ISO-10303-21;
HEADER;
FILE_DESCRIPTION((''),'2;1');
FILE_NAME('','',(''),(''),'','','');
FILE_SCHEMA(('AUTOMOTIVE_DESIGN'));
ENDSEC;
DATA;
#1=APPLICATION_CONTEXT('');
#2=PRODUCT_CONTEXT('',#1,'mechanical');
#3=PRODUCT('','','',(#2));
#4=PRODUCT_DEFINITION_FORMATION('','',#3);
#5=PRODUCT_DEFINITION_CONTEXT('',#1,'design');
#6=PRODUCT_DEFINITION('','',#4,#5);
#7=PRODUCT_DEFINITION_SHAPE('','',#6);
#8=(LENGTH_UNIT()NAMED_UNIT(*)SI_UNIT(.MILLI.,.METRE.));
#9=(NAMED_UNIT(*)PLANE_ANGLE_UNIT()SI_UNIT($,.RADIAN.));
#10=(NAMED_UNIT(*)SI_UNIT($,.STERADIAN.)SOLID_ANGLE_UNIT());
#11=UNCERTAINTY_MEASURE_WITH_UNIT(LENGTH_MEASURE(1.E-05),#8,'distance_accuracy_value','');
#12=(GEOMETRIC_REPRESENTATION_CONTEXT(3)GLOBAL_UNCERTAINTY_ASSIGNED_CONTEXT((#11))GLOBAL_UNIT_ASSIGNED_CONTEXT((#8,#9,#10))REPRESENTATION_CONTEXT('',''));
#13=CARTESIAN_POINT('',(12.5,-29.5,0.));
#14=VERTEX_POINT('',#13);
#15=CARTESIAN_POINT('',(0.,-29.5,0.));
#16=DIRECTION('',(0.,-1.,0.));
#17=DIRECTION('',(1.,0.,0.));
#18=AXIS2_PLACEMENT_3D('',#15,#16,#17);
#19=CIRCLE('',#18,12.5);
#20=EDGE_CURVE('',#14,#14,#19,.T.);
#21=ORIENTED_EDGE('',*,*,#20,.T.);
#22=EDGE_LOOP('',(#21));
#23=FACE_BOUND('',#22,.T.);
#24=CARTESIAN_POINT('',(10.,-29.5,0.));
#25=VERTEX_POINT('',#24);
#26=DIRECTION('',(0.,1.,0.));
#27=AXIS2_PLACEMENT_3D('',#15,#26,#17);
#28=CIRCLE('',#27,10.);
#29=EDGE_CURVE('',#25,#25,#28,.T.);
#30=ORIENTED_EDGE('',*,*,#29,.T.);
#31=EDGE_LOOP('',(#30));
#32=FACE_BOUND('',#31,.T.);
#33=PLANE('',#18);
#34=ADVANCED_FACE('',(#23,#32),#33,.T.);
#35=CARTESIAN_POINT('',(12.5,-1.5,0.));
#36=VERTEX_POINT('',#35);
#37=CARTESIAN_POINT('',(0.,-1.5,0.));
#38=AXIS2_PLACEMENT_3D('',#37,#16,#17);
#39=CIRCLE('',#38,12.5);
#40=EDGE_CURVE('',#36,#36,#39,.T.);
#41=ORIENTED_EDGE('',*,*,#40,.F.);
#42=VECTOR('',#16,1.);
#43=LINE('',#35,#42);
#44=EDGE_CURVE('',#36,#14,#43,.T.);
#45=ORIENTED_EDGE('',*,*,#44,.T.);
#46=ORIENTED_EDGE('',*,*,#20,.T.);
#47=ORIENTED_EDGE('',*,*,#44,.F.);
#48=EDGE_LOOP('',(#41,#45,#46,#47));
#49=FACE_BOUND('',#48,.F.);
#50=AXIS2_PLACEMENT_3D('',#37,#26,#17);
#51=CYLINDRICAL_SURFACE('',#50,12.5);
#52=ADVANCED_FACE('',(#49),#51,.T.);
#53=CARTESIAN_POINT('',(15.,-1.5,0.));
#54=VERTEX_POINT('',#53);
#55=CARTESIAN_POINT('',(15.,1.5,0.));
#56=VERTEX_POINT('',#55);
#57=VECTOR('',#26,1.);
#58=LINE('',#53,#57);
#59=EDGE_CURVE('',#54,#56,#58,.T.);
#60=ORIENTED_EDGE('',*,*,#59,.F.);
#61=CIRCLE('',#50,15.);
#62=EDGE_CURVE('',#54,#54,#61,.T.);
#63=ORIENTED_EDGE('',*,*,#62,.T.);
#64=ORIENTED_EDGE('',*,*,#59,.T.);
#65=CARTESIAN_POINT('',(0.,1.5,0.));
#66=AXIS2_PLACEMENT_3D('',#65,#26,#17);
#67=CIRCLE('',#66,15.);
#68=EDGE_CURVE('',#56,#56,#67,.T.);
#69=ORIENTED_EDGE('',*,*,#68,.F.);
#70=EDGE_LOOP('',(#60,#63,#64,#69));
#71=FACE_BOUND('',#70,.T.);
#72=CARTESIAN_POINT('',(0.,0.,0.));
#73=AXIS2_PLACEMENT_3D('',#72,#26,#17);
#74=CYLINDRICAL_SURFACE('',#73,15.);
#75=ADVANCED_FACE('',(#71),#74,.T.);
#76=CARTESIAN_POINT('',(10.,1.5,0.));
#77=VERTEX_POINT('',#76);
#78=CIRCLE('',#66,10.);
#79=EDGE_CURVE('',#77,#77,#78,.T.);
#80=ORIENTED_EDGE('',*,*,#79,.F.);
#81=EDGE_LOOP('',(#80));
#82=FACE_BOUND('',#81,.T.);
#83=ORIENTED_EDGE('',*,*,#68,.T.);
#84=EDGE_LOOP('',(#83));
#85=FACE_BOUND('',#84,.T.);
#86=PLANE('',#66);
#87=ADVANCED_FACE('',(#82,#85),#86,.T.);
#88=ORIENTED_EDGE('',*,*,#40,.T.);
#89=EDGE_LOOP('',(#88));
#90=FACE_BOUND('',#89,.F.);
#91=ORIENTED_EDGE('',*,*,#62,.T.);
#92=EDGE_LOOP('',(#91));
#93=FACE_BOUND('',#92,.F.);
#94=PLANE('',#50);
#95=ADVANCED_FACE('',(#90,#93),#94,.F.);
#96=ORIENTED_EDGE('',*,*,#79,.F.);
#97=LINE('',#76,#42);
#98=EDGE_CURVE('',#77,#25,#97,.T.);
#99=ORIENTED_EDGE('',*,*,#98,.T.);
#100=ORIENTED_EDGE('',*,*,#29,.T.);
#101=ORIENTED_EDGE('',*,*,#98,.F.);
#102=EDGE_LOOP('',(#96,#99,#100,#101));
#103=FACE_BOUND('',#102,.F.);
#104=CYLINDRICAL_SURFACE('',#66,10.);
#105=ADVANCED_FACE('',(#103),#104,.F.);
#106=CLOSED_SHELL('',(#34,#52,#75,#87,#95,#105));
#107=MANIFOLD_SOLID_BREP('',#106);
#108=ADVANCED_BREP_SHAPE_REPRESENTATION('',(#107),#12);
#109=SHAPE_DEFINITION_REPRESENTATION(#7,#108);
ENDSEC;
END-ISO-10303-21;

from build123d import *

# Parameters (mm, degrees)
SKETCH1_R           = 15
BOSS_EXTRUDE1_DEPTH = 1.5
SKETCH2_R           = 12.5
BOSS_EXTRUDE2_DEPTH = 28
SKETCH3_R           = 10
CUT_EXTRUDE1_DEPTH  = 32


with BuildPart() as part:
    # Sketch1 → Boss-Extrude1 (new body, symmetric)
    with BuildSketch(Plane(origin=(0, 0, 0), x_dir=(1, 0, 0), z_dir=(0, 1, 0))):
        Circle(SKETCH1_R)
    extrude(amount=BOSS_EXTRUDE1_DEPTH, both=True)

    # Sketch2 → Boss-Extrude2 (add)
    with BuildSketch(Plane.XZ.offset(1.5)):
        Circle(SKETCH2_R)
    extrude(amount=BOSS_EXTRUDE2_DEPTH)

    # Sketch3 → Cut-Extrude1 (cut, through all)
    with BuildSketch(Plane(origin=(0, 1.5, 0), x_dir=(1, 0, 0), z_dir=(0, 1, 0))):
        Circle(SKETCH3_R)
    extrude(amount=-CUT_EXTRUDE1_DEPTH, mode=Mode.SUBTRACT)


solid = part.part
